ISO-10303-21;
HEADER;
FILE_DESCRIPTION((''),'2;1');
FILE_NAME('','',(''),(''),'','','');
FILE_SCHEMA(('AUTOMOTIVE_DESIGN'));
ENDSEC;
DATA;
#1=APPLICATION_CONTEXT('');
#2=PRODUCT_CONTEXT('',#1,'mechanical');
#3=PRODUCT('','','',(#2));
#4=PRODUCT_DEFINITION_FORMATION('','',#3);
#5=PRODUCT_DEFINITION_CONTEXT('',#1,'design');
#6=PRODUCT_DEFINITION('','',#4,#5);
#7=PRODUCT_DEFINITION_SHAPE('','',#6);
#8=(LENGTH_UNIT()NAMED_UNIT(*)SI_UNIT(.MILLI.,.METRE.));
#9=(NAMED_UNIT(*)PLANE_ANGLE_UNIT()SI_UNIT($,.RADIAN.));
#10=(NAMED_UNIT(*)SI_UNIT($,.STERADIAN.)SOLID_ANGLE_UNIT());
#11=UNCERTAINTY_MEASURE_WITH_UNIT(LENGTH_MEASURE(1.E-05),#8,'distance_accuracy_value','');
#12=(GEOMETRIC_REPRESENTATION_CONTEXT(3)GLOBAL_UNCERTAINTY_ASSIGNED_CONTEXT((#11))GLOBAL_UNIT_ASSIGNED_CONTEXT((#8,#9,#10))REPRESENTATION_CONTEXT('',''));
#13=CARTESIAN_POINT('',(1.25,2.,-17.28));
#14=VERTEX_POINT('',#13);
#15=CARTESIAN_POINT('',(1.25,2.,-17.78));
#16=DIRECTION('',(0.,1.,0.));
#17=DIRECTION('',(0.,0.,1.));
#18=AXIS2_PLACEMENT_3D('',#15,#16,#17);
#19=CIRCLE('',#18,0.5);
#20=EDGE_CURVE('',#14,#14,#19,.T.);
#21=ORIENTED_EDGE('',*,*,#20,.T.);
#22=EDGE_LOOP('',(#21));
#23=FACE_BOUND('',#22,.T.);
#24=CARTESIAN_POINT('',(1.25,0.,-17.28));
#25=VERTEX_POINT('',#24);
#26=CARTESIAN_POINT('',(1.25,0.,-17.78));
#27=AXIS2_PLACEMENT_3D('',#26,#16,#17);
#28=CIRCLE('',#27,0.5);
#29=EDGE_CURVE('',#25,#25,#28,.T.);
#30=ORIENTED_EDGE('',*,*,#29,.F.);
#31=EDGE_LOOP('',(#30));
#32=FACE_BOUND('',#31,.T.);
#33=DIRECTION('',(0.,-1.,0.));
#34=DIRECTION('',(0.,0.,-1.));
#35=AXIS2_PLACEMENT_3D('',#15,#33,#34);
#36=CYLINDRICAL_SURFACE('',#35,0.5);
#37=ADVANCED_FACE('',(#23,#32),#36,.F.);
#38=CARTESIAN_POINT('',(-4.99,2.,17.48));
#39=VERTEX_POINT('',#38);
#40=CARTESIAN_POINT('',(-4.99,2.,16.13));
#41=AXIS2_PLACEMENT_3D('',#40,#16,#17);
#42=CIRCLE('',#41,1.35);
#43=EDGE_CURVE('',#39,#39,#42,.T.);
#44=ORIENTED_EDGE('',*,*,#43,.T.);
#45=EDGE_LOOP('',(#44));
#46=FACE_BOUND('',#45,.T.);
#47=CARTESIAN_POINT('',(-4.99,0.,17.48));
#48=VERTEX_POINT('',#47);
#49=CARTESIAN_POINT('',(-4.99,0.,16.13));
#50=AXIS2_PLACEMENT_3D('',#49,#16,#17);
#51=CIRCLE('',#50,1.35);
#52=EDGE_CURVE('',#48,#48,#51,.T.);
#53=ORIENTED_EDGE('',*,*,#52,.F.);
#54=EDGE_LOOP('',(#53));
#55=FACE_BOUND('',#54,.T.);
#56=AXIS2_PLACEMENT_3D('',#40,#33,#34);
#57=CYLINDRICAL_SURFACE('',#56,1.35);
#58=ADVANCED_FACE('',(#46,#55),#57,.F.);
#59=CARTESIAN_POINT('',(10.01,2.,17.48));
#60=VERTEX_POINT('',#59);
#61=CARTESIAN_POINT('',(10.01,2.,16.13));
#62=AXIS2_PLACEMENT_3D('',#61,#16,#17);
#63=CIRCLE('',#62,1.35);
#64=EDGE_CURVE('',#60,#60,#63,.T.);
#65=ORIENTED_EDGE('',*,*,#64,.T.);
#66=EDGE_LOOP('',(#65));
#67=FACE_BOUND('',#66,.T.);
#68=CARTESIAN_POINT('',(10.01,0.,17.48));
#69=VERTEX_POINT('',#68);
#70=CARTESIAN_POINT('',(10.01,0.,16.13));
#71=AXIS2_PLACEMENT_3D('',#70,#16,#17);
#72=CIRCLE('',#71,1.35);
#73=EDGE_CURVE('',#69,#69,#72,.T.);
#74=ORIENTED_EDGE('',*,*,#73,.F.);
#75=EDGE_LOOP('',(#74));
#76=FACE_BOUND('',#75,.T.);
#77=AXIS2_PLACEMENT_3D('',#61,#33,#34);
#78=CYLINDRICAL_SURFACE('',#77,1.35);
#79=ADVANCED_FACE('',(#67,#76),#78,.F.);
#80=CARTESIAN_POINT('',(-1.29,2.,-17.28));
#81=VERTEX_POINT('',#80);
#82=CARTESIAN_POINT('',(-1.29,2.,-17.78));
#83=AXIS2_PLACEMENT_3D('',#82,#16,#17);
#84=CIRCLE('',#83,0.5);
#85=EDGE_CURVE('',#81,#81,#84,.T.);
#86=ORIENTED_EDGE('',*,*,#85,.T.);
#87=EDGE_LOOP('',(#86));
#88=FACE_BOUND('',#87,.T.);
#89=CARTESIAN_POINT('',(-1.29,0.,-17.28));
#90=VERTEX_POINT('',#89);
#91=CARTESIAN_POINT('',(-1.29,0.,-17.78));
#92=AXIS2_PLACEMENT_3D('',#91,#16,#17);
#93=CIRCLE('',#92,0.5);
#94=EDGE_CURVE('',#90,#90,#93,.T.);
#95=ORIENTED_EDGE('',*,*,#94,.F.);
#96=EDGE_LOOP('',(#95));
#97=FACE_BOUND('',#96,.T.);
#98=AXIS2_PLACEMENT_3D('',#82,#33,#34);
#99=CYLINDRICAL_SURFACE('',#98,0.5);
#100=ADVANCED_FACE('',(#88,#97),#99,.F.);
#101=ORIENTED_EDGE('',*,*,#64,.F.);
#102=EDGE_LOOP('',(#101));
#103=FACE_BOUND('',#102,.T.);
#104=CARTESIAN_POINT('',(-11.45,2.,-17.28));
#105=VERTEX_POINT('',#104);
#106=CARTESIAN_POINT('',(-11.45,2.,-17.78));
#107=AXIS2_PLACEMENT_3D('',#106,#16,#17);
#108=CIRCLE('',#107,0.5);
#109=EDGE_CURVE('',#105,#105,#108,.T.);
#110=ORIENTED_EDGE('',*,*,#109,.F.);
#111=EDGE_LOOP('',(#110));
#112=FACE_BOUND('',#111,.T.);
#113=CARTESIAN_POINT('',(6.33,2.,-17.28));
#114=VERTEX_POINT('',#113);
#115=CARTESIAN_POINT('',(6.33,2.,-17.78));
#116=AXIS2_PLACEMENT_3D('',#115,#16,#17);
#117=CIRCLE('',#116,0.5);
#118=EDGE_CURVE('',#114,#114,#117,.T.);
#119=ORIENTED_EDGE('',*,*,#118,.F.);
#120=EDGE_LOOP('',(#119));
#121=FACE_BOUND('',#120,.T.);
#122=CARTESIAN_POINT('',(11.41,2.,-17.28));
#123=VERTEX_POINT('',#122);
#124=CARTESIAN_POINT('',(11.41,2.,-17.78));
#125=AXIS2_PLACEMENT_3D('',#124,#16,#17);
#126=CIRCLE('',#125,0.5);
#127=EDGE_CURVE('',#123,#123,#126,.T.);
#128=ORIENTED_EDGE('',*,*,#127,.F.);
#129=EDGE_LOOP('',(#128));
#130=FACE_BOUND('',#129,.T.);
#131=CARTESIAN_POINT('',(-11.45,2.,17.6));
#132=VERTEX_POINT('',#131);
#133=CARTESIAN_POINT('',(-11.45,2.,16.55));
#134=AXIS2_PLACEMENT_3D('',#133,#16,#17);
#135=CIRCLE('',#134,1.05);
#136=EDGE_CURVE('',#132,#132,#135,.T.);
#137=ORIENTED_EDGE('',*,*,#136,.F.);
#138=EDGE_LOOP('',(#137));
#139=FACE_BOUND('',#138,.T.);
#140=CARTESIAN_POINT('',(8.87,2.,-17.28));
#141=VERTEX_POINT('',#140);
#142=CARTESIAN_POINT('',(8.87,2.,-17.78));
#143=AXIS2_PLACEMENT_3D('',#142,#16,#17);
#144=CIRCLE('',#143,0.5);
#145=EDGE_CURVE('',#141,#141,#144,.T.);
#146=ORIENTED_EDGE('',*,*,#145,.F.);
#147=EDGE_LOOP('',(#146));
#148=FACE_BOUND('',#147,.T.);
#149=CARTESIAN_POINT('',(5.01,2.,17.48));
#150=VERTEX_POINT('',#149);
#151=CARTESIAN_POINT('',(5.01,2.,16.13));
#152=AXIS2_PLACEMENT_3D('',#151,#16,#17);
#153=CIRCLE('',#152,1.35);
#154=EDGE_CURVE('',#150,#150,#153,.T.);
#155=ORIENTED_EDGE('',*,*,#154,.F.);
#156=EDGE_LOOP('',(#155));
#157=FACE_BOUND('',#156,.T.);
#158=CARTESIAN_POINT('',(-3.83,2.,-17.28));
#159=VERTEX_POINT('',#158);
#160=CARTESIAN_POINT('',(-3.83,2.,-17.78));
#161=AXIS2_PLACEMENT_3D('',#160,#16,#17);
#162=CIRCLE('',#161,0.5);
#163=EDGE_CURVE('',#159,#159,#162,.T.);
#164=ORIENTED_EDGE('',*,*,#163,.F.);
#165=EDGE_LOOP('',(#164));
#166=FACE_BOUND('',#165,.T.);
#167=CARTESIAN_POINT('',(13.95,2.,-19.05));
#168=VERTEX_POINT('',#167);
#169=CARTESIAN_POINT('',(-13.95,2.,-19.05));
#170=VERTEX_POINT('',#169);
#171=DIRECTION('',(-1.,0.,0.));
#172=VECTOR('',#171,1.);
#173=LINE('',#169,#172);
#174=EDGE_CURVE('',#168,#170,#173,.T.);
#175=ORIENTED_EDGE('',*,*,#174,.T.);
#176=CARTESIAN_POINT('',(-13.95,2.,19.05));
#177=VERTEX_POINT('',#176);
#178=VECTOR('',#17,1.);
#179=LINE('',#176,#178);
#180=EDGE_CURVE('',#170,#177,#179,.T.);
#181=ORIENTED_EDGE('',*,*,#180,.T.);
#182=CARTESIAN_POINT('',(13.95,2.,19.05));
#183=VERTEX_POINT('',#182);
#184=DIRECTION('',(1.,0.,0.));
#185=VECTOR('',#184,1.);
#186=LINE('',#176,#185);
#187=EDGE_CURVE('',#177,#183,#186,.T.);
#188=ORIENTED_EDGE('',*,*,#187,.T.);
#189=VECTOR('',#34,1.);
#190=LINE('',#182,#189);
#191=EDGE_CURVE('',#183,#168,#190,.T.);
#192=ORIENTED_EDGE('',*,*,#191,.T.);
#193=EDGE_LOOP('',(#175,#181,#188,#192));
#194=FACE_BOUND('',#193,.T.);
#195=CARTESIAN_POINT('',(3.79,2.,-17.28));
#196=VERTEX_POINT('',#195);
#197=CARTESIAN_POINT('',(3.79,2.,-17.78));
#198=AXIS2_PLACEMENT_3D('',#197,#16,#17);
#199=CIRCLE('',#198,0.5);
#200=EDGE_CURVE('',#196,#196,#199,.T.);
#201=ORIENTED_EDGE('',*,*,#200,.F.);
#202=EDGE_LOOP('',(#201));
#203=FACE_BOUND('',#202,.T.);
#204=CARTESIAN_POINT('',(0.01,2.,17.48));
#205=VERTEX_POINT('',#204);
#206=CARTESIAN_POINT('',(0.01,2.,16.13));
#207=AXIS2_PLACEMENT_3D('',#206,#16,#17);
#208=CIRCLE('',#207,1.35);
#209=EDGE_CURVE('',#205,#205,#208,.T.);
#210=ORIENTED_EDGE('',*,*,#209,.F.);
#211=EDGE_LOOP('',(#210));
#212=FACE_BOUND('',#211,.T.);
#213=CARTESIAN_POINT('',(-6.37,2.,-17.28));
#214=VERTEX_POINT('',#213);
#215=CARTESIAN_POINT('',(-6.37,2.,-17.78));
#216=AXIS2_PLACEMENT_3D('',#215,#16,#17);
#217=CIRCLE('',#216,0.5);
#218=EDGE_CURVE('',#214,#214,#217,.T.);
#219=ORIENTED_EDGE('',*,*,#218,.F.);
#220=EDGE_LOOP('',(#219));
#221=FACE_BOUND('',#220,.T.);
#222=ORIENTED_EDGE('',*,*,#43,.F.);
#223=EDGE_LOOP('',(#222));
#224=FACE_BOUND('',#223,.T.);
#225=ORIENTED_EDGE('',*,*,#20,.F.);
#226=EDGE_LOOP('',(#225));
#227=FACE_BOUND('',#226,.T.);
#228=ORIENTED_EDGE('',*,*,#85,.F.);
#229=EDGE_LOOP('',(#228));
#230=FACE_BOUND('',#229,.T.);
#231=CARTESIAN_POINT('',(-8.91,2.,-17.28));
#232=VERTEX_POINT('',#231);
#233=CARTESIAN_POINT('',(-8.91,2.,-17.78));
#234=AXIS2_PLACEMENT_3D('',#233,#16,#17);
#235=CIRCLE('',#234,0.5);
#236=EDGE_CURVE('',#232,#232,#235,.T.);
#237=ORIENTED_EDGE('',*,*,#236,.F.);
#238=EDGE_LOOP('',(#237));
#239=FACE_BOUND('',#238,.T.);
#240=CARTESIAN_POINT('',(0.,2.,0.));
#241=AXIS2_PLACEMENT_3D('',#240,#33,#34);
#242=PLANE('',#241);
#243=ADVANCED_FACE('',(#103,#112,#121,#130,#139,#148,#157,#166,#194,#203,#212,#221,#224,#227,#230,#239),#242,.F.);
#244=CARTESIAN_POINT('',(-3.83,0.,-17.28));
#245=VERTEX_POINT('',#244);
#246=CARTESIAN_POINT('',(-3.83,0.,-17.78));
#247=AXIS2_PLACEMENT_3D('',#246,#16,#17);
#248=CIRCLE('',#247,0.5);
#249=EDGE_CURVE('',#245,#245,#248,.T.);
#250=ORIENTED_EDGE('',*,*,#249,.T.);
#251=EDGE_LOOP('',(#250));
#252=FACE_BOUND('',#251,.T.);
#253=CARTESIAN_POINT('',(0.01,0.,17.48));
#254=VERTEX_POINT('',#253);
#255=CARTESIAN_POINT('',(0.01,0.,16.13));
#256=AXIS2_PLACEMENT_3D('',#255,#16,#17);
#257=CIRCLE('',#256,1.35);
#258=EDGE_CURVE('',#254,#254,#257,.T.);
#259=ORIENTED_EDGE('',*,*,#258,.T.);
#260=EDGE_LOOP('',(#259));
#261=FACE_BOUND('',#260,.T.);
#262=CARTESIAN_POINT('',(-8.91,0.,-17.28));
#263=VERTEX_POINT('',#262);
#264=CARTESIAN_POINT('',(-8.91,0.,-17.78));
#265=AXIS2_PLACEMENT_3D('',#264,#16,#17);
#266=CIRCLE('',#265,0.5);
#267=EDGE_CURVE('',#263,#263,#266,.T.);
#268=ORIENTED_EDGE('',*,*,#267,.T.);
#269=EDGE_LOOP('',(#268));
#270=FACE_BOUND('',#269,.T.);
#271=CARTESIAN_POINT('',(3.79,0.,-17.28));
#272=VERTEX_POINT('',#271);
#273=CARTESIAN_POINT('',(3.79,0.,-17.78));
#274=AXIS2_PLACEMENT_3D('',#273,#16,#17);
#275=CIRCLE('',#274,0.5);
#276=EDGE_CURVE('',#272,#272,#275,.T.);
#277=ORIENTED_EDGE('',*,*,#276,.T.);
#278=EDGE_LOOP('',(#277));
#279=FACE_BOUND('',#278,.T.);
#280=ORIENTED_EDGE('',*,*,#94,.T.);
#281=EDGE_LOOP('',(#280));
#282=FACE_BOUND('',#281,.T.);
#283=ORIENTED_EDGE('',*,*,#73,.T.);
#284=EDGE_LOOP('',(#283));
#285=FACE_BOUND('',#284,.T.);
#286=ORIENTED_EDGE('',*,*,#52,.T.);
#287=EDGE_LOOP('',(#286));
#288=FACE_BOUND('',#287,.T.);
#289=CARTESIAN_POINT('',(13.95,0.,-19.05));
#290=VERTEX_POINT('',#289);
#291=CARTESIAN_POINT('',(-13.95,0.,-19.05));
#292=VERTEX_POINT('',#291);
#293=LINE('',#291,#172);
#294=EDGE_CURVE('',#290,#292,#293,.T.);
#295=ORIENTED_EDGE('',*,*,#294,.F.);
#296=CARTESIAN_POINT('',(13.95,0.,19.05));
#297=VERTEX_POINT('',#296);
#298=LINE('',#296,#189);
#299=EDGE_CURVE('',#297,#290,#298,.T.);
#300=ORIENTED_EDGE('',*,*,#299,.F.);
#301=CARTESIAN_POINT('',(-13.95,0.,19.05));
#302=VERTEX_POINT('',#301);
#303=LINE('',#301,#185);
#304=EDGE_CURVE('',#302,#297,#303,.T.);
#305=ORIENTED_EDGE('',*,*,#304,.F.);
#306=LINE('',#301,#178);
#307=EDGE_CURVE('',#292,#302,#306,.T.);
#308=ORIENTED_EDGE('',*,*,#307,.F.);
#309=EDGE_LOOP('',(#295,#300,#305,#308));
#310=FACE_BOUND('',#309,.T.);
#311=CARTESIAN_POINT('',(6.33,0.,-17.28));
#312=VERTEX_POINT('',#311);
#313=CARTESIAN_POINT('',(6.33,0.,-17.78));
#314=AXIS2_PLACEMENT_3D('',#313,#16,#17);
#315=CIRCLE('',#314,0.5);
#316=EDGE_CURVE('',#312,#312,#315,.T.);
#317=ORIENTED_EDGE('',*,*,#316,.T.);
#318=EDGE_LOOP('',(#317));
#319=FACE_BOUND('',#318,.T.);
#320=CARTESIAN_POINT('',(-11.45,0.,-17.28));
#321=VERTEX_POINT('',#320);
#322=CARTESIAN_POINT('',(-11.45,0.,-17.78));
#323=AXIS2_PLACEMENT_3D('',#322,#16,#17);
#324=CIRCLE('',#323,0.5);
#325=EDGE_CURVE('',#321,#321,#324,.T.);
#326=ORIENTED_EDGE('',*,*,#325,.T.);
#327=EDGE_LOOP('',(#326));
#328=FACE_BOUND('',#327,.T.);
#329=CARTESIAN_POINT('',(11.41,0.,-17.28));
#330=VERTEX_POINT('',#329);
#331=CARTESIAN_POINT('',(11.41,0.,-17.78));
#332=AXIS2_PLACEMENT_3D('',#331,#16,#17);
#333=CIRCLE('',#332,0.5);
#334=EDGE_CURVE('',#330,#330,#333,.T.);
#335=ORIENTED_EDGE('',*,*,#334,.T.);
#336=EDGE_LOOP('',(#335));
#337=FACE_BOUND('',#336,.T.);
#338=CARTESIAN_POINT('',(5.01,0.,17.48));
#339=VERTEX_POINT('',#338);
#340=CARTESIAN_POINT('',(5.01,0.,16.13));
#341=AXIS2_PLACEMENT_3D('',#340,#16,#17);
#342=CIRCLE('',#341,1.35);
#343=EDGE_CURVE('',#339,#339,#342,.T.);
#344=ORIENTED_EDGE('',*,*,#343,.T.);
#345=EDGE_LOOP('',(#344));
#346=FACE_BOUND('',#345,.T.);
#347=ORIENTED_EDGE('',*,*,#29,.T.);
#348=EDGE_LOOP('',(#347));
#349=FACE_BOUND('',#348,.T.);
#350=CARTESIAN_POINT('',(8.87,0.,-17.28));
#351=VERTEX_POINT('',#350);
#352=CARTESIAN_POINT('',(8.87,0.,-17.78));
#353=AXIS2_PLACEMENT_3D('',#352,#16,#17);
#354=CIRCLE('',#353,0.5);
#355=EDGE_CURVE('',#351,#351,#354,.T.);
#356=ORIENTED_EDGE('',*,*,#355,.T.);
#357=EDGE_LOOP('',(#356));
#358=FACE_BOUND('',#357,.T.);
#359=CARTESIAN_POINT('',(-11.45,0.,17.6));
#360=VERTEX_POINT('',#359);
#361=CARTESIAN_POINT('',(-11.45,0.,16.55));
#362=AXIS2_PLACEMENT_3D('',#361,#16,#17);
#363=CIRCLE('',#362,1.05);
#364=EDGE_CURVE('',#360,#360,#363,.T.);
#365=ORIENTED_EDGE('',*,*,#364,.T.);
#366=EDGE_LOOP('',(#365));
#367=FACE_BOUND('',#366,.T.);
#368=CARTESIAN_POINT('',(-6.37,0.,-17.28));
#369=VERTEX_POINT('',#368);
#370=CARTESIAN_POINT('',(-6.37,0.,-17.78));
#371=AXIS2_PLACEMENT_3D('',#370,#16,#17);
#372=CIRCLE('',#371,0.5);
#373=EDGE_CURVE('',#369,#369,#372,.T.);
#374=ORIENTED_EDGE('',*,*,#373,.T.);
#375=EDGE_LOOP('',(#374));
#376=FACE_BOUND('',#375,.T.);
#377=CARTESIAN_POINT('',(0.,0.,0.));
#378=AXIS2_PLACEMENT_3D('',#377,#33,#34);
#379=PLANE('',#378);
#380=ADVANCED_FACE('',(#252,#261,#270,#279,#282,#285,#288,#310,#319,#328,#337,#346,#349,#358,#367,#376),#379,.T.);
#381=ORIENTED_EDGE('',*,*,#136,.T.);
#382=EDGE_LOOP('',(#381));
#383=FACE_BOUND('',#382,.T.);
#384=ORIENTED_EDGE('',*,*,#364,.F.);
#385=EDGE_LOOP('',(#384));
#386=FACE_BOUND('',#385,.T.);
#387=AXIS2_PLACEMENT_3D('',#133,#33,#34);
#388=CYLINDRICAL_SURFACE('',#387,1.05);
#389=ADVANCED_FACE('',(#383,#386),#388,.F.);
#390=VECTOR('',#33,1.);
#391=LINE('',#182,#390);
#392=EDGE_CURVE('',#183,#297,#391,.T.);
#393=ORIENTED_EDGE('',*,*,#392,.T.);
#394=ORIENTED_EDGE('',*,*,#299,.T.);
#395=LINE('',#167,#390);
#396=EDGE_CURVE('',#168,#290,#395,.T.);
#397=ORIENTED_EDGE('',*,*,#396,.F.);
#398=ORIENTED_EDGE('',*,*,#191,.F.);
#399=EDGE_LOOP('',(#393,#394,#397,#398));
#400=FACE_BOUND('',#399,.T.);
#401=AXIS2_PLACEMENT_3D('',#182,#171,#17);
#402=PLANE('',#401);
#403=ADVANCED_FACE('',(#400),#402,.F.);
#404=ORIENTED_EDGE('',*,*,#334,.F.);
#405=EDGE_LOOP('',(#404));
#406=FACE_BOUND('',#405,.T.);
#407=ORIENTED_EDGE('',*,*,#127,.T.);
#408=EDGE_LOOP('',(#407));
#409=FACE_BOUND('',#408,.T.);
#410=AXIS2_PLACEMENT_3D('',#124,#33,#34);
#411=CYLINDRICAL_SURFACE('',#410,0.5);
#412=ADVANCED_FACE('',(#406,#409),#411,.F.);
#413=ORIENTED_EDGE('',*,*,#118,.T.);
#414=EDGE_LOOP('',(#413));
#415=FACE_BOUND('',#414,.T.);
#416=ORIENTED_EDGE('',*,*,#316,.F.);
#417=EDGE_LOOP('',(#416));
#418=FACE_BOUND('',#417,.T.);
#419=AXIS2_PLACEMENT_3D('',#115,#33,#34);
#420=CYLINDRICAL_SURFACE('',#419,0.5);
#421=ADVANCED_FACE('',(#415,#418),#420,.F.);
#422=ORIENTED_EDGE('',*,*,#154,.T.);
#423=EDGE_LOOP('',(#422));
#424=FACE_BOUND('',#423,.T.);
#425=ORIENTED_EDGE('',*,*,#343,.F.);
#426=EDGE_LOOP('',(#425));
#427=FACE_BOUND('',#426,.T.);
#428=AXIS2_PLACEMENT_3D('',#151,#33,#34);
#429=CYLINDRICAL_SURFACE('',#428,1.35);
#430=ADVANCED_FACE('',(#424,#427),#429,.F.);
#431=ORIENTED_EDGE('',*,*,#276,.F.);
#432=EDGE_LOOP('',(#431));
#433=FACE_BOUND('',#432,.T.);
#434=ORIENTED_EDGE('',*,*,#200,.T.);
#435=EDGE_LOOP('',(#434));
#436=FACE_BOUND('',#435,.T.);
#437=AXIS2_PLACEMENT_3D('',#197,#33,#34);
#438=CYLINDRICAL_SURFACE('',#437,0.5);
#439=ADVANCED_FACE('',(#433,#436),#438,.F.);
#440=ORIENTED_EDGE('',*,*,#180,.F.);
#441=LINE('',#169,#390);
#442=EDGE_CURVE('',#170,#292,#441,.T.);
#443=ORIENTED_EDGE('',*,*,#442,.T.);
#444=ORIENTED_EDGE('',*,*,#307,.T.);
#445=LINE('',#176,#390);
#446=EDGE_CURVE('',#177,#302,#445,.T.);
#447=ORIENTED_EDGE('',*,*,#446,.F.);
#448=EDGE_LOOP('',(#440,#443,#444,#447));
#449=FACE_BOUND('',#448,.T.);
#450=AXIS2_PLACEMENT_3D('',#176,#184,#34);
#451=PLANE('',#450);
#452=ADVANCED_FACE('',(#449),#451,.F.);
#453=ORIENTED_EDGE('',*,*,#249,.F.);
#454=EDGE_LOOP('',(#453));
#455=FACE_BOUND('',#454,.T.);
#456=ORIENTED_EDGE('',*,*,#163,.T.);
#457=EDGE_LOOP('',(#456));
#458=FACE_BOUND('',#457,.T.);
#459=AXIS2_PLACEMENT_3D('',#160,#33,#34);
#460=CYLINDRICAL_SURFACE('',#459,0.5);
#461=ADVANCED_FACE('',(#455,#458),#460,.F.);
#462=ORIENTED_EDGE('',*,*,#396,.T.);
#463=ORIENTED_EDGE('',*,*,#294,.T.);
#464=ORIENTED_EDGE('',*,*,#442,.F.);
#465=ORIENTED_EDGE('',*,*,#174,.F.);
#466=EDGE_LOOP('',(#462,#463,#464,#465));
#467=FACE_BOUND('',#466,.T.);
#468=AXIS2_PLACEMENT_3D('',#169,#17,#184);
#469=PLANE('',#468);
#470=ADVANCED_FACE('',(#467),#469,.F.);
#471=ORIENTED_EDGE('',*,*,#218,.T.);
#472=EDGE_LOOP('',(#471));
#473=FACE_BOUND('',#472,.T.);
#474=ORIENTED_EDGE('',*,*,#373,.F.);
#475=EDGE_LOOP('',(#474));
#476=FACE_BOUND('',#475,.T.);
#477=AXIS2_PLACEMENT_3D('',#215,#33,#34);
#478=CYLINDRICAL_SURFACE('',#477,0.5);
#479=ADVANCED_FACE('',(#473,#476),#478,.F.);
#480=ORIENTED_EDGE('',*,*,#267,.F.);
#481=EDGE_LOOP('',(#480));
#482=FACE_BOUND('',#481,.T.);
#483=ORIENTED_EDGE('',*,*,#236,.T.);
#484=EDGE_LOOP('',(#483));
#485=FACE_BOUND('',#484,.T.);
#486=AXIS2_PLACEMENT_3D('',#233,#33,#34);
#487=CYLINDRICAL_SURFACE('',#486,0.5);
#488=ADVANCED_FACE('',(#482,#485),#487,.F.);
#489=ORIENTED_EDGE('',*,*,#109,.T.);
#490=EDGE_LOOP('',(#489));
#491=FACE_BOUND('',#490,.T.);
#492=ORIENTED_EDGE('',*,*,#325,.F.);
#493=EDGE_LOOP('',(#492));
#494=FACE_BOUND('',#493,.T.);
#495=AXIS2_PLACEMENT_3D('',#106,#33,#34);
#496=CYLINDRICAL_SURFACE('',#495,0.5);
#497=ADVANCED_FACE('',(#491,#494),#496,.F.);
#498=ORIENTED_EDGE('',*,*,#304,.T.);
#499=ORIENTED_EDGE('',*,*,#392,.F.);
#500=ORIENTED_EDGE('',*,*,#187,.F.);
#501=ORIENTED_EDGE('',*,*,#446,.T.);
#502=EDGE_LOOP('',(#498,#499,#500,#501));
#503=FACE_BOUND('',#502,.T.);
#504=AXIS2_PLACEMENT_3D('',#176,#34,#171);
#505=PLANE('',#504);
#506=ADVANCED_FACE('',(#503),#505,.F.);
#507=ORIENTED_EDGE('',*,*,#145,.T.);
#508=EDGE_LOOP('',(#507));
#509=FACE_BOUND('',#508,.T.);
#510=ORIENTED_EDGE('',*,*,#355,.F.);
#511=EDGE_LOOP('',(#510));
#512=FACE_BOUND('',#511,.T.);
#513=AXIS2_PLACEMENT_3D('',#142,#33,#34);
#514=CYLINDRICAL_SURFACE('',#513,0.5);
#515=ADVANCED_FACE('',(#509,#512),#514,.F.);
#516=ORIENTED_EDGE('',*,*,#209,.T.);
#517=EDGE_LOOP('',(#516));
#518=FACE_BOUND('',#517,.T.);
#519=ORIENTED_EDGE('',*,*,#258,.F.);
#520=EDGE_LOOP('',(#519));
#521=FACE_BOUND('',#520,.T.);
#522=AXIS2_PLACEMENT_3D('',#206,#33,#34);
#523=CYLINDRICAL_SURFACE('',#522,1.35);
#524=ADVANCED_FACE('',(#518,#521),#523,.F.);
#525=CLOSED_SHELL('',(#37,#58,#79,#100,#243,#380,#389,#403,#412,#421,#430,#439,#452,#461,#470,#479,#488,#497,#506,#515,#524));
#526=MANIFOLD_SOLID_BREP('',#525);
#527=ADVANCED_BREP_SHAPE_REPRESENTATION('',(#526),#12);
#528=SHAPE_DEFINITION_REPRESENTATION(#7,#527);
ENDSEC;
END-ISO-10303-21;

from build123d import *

# Parameters (mm, degrees)
SKETCH1_W           = 27.9
SKETCH1_H           = 38.1
SKETCH1_R           = 1.05
SKETCH1_R_2         = 0.5
SKETCH1_R_3         = 1.35
BOSS_EXTRUDE1_DEPTH = 2


with BuildPart() as part:
    # Sketch1 → Boss-Extrude1 (new body)
    with BuildSketch(Plane(origin=(0, 0, 0), x_dir=(1, 0, 0), z_dir=(0, 1, 0))):
        Rectangle(SKETCH1_W, SKETCH1_H)
        with Locations(Location((-11.45, -16.55, 0), (0, 0, 270))):
            Circle(SKETCH1_R, mode=Mode.SUBTRACT)
        with Locations(Location((11.41, 17.78, 0), (0, 0, 270))):
            Circle(SKETCH1_R_2, mode=Mode.SUBTRACT)
        with Locations(Location((8.87, 17.78, 0), (0, 0, 270))):
            Circle(SKETCH1_R_2, mode=Mode.SUBTRACT)
        with Locations(Location((6.33, 17.78, 0), (0, 0, 270))):
            Circle(SKETCH1_R_2, mode=Mode.SUBTRACT)
        with Locations(Location((3.79, 17.78, 0), (0, 0, 270))):
            Circle(SKETCH1_R_2, mode=Mode.SUBTRACT)
        with Locations(Location((1.25, 17.78, 0), (0, 0, 270))):
            Circle(SKETCH1_R_2, mode=Mode.SUBTRACT)
        with Locations(Location((-1.29, 17.78, 0), (0, 0, 270))):
            Circle(SKETCH1_R_2, mode=Mode.SUBTRACT)
        with Locations(Location((-3.83, 17.78, 0), (0, 0, 270))):
            Circle(SKETCH1_R_2, mode=Mode.SUBTRACT)
        with Locations(Location((-6.37, 17.78, 0), (0, 0, 270))):
            Circle(SKETCH1_R_2, mode=Mode.SUBTRACT)
        with Locations(Location((-8.91, 17.78, 0), (0, 0, 270))):
            Circle(SKETCH1_R_2, mode=Mode.SUBTRACT)
        with Locations(Location((-11.45, 17.78, 0), (0, 0, 270))):
            Circle(SKETCH1_R_2, mode=Mode.SUBTRACT)
        with Locations(Location((10.01, -16.13, 0), (0, 0, 270))):
            Circle(SKETCH1_R_3, mode=Mode.SUBTRACT)
        with Locations(Location((5.01, -16.13, 0), (0, 0, 270))):
            Circle(SKETCH1_R_3, mode=Mode.SUBTRACT)
        with Locations(Location((0.01, -16.13, 0), (0, 0, 270))):
            Circle(SKETCH1_R_3, mode=Mode.SUBTRACT)
        with Locations(Location((-4.99, -16.13, 0), (0, 0, 270))):
            Circle(SKETCH1_R_3, mode=Mode.SUBTRACT)
    extrude(amount=BOSS_EXTRUDE1_DEPTH)


solid = part.part
